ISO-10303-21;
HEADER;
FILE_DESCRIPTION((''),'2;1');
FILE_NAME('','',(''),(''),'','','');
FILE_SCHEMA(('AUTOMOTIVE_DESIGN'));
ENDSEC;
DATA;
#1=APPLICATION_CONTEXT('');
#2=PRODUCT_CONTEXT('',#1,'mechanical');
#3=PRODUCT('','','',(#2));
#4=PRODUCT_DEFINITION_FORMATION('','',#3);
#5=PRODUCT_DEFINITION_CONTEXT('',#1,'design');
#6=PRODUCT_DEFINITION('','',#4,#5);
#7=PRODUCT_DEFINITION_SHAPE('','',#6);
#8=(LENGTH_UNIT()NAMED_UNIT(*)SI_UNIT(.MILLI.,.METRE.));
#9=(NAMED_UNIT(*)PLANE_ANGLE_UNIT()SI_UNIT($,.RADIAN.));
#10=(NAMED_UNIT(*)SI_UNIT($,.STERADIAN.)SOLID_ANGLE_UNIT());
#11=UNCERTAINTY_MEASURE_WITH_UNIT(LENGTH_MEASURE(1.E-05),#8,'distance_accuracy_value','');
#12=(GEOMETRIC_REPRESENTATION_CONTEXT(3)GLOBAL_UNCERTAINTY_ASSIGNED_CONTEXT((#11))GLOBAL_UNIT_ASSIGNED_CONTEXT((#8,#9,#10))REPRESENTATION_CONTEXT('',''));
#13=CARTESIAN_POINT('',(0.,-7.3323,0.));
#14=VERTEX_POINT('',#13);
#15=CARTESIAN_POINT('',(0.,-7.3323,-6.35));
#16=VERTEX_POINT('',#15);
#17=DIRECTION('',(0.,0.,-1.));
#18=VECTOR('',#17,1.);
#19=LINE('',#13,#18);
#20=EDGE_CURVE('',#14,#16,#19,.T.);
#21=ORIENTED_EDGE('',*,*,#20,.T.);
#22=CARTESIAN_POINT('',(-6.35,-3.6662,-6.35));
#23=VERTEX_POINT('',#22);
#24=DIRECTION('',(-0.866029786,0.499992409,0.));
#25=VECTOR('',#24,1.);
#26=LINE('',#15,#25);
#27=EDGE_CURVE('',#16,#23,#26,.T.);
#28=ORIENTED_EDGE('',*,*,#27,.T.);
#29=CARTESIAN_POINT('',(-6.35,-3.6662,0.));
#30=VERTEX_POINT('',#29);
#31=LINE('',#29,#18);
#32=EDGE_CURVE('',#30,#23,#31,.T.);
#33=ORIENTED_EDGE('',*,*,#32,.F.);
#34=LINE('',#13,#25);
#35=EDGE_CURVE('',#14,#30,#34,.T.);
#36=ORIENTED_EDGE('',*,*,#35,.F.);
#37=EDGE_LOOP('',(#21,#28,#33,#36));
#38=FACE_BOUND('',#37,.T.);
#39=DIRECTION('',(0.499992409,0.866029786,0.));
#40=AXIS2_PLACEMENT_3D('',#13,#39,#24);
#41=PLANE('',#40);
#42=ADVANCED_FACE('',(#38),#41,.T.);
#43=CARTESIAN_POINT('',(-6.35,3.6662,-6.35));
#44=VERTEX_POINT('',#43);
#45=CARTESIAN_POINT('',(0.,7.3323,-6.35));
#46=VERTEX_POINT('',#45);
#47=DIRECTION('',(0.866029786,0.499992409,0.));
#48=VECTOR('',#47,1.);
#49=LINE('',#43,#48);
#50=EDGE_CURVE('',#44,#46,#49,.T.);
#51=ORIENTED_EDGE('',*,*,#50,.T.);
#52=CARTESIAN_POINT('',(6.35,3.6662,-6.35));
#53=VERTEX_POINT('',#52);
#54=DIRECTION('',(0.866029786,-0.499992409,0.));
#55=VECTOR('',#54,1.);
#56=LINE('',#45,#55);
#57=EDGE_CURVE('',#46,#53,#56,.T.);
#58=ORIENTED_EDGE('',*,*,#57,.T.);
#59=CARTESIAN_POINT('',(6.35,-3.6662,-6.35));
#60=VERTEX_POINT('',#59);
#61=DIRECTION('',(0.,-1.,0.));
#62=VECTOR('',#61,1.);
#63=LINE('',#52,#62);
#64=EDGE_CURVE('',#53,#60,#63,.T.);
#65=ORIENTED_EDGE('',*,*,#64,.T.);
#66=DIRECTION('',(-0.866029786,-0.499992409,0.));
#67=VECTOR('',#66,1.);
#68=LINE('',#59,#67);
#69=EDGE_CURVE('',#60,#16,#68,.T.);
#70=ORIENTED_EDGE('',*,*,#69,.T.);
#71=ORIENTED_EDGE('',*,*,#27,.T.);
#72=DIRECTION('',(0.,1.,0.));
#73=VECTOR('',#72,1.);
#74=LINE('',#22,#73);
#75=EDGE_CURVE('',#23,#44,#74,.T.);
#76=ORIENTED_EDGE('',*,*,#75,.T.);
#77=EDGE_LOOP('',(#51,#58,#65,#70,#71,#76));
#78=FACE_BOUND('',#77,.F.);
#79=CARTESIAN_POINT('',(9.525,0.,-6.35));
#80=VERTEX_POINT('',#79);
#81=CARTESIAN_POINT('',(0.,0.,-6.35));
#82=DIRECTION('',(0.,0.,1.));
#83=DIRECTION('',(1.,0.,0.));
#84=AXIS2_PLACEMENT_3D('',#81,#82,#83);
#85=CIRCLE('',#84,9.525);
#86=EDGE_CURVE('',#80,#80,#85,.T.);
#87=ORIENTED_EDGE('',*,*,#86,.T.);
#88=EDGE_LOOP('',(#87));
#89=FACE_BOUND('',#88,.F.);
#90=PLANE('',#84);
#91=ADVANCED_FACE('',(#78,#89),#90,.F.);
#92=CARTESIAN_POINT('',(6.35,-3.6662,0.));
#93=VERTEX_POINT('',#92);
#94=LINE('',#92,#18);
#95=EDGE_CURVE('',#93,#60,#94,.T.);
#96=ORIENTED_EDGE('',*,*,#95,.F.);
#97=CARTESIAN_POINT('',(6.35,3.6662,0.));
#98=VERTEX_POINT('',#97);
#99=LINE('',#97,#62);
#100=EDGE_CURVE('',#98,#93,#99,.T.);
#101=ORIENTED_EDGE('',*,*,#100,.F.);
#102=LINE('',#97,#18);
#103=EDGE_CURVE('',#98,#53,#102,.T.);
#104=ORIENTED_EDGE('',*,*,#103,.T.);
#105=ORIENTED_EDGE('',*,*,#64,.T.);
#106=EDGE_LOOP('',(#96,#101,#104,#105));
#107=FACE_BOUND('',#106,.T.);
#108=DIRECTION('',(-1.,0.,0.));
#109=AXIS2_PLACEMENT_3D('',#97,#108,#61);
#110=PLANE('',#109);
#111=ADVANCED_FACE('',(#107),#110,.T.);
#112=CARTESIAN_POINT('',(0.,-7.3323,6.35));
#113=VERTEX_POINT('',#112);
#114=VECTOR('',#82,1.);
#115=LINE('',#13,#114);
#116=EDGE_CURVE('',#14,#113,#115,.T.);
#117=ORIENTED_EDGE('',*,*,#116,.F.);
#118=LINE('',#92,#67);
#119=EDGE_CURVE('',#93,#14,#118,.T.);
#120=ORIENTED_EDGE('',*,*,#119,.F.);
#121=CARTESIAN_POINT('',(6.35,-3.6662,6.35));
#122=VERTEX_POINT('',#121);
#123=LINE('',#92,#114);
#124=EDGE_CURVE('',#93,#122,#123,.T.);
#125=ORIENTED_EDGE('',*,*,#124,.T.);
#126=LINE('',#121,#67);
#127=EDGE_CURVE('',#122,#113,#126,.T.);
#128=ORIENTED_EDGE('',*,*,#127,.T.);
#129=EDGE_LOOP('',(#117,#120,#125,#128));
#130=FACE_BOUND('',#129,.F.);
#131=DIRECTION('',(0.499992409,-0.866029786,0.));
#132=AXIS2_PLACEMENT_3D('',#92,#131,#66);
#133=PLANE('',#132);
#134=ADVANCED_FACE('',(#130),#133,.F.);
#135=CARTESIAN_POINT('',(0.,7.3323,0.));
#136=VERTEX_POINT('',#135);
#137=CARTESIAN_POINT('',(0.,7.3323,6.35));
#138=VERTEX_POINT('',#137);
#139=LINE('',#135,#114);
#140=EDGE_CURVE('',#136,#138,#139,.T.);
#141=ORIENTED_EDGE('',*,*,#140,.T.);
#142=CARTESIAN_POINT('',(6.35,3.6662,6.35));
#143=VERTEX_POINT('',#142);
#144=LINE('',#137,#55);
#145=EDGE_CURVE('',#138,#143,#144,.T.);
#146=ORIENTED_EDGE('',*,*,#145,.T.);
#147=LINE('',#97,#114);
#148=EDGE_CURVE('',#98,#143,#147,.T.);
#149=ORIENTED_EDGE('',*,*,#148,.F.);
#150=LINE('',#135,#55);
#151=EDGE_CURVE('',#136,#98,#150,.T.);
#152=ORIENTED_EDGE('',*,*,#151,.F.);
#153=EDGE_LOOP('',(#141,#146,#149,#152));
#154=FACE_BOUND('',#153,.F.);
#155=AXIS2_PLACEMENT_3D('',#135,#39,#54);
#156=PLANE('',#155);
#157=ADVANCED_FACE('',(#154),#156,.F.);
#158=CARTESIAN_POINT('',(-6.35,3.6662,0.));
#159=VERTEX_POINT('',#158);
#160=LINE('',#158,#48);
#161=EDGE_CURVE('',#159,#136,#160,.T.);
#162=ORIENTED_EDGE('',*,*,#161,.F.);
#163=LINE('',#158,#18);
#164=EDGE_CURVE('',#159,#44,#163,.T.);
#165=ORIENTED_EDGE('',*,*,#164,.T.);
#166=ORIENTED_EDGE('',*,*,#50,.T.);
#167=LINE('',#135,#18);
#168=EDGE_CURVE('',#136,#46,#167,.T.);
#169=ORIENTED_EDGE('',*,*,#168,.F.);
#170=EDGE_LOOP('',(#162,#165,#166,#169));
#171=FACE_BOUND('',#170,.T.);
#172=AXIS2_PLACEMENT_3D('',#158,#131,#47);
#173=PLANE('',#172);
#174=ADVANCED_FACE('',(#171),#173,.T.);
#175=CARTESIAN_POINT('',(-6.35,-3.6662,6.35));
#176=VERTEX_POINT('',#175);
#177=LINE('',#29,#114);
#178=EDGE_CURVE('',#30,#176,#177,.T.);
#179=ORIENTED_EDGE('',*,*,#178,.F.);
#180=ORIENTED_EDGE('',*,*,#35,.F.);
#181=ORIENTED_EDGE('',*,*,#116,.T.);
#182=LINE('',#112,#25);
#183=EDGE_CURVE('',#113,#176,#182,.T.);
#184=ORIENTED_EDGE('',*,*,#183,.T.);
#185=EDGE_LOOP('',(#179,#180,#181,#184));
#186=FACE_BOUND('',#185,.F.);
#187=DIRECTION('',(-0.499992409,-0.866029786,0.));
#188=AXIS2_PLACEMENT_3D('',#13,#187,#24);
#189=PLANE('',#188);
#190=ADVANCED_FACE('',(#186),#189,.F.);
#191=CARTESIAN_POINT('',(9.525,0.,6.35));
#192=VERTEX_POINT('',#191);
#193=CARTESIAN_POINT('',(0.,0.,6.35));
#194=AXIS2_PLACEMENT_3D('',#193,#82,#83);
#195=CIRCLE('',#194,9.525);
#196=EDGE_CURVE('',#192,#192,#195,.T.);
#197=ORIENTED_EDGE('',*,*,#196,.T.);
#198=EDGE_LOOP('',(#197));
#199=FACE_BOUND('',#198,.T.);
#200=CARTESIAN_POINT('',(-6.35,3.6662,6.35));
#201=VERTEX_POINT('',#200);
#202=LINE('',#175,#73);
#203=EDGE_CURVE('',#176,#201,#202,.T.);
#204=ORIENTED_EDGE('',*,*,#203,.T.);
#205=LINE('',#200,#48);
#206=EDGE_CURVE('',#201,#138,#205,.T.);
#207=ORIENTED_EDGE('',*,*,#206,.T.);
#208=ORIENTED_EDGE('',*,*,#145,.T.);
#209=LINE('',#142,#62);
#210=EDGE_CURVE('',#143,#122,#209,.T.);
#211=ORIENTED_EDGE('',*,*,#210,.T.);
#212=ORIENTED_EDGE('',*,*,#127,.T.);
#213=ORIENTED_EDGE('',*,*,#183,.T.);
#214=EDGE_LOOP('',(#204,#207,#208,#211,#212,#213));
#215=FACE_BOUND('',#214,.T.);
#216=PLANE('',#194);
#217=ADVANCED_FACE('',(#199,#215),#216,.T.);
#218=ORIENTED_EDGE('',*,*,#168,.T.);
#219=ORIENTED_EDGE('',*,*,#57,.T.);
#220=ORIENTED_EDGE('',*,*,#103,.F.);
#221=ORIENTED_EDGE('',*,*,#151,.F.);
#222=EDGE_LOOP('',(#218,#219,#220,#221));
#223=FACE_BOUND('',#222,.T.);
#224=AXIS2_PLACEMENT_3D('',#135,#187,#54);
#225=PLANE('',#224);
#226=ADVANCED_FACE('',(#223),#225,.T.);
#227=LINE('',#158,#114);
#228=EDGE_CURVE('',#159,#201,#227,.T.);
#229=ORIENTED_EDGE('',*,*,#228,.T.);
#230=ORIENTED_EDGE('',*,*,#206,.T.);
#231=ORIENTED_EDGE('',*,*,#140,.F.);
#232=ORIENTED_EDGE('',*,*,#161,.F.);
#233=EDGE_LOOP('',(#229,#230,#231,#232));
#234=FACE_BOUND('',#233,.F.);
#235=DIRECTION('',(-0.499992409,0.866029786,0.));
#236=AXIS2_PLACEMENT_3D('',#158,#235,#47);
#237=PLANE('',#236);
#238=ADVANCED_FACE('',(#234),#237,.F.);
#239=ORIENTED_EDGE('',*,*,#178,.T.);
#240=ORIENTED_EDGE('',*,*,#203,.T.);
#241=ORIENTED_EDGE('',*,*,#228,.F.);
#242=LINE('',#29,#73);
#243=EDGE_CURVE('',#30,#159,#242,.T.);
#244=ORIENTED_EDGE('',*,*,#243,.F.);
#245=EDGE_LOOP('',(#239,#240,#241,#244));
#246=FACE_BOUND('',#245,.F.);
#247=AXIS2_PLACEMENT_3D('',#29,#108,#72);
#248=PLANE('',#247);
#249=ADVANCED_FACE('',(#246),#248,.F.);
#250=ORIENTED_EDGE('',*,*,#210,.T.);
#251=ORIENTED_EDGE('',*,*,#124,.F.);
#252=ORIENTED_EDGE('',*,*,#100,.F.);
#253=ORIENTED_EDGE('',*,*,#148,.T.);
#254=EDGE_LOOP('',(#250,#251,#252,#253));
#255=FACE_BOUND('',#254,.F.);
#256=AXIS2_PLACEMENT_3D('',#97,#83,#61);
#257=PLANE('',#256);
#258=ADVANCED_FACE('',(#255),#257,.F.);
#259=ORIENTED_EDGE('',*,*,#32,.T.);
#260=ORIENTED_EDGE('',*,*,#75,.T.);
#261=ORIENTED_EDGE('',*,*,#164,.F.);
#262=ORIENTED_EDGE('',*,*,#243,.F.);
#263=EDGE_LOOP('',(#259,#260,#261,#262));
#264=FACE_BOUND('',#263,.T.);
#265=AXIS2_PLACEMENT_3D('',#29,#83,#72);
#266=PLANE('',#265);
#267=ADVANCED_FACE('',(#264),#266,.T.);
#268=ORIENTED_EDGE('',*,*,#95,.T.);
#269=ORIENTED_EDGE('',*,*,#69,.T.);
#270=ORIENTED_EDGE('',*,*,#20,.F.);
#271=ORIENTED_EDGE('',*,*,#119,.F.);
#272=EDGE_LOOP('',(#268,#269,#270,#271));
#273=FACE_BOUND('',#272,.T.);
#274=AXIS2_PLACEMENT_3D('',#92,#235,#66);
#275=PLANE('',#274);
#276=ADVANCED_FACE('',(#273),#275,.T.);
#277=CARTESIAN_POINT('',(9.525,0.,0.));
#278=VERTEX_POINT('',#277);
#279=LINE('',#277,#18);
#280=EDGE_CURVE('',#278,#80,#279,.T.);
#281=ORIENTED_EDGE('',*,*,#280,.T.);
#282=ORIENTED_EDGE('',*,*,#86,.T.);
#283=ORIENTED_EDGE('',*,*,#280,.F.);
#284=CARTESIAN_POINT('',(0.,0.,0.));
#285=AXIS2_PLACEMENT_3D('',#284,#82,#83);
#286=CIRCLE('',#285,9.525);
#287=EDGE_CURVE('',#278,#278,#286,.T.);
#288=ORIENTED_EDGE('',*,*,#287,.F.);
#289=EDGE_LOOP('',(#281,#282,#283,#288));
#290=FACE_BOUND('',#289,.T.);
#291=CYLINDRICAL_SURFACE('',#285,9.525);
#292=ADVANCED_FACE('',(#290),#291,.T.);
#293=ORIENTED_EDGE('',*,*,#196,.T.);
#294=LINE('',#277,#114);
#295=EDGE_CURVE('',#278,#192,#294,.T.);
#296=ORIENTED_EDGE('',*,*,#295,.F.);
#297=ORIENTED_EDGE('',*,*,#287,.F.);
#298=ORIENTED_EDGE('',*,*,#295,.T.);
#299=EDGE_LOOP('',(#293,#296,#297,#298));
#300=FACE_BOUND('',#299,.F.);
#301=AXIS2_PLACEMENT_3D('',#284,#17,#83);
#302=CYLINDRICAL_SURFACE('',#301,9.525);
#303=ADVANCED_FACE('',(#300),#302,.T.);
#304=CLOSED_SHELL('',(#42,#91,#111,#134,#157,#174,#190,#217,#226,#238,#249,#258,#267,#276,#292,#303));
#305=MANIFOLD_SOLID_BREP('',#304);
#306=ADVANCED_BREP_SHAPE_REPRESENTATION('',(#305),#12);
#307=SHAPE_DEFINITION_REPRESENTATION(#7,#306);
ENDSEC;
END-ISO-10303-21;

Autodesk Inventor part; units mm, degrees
ref_plane "YZ Plane" through (0, 0, 0) normal (1, 0, 0) x (0, 1, 0)
ref_plane "XZ Plane" through (0, 0, 0) normal (0, 1, 0) x (-1, 0, 0)
ref_plane "XY Plane" through (0, 0, 0) normal (0, 0, 1) x (1, 0, 0)
sketch "Sketch1" plane through (0, 0, 0) normal (0, 0, 1) x (1, 0, 0)
  circle A0 centre (0, 0) radius 9.525
  line L0 (0, 7.3323) -> (6.35, 3.6662)
  line L1 (6.35, 3.6662) -> (6.35, -3.6662)
  line L2 (6.35, -3.6662) -> (0, -7.3323)
  line L3 (0, -7.3323) -> (-6.35, -3.6662)
  line L4 (-6.35, -3.6662) -> (-6.35, 3.6662)
  line L5 (-6.35, 3.6662) -> (0, 7.3323)
  dimension "d0" = 19.05
  dimension "d2" = 12.7
extrude "Extrusion1" add sketch "Sketch1" along normal mid plane 12.7
properties part number "500 Hex Spacer x250" material "Nylon 6/6"
